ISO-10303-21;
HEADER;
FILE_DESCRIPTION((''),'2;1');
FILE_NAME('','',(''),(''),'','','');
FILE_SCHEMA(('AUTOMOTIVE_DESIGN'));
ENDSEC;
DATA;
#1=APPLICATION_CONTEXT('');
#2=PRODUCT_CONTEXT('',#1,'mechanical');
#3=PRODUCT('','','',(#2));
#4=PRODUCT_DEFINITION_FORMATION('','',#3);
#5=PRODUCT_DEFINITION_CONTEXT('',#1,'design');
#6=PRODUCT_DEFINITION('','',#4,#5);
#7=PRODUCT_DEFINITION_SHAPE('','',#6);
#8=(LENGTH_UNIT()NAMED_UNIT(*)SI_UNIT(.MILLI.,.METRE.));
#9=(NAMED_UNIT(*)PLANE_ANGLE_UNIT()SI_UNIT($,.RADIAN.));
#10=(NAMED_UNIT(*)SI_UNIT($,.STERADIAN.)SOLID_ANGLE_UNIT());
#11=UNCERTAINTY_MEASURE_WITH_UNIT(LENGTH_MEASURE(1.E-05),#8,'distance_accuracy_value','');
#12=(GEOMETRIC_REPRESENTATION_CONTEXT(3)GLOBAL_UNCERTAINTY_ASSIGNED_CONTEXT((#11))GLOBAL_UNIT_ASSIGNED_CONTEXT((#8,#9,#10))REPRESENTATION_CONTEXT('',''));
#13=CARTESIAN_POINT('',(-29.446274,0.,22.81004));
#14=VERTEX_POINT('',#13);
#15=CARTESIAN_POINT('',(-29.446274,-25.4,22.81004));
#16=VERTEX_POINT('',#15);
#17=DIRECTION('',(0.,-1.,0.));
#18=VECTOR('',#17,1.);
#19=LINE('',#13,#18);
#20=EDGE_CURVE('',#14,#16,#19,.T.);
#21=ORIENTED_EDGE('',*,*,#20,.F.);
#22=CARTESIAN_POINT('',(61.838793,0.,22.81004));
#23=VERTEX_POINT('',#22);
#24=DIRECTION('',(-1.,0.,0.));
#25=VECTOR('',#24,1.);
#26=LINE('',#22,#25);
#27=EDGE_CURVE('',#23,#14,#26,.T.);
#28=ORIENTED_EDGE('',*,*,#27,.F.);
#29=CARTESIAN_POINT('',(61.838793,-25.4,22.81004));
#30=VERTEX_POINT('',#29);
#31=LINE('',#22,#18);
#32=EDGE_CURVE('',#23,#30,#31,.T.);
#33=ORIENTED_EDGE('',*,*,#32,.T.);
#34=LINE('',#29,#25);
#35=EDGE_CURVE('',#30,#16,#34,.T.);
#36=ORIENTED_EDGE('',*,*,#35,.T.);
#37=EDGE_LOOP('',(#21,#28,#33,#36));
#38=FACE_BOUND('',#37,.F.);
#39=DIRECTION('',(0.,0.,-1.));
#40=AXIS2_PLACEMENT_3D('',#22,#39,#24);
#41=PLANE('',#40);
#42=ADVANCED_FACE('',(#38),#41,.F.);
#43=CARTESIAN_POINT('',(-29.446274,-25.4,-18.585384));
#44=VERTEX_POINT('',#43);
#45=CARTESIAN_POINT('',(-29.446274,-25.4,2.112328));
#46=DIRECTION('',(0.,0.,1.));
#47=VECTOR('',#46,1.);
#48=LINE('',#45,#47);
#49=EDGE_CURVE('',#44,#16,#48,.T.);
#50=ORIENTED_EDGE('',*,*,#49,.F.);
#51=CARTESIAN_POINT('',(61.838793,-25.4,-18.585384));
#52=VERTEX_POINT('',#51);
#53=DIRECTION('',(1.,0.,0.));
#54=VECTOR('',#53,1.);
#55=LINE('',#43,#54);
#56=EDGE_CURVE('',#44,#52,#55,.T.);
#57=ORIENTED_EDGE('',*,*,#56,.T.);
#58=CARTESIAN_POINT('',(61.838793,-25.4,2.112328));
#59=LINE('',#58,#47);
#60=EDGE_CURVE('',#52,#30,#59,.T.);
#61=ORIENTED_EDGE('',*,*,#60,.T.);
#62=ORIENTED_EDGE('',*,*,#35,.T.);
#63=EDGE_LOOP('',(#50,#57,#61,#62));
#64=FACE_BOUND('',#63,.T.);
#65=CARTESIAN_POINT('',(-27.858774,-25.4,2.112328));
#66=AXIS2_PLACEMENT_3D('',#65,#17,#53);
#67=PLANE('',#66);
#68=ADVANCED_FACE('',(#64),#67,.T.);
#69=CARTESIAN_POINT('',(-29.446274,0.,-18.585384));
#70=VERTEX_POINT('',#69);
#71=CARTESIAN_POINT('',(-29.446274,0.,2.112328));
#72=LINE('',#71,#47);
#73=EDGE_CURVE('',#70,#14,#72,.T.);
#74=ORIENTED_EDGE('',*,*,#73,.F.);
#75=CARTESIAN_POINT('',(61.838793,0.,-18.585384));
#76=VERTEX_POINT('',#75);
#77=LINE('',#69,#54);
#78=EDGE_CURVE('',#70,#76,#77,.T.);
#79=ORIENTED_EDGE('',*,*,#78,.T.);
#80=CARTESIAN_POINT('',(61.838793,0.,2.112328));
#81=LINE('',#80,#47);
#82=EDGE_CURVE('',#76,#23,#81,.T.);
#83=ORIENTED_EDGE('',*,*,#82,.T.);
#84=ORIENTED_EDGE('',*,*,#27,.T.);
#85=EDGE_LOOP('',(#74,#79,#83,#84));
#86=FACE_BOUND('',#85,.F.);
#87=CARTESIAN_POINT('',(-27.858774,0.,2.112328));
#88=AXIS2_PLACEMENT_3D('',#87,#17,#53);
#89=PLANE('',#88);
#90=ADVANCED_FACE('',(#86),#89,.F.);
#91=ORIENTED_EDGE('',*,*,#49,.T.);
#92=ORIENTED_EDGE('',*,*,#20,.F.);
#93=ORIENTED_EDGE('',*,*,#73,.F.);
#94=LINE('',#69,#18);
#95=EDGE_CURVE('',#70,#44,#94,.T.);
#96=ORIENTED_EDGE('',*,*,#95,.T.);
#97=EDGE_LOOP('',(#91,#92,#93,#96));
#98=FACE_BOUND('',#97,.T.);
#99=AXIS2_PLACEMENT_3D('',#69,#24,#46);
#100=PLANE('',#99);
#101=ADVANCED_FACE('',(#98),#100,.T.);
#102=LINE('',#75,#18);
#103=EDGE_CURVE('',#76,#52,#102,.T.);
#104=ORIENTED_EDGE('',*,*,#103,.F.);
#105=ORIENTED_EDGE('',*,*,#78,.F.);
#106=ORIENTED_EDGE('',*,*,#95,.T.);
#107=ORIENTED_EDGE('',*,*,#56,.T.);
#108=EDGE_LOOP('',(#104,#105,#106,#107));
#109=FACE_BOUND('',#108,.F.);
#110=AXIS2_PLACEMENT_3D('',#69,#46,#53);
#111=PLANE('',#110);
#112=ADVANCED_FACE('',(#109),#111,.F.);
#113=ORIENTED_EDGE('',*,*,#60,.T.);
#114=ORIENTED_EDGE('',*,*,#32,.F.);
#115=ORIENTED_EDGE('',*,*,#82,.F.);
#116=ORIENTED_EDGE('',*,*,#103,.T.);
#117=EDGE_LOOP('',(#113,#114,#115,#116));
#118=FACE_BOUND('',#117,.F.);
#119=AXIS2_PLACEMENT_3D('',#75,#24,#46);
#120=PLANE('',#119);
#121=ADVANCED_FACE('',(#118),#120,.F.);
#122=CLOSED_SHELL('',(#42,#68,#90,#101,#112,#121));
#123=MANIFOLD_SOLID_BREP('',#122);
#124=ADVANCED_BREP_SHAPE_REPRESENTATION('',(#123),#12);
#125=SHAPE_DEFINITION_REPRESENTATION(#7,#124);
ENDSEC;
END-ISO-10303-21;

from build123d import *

# Parameters (mm, degrees)
F0_W     = 3.175
F0_H     = 41.3954239339
F0_W_2   = 84.9350669503
F1_DEPTH = 25.4


with BuildPart() as f1:
    # F0 (on Front) → F1 (new body)
    with BuildSketch(Plane.XZ):
        with Locations((-27.8587740421, 2.1123280749)):
            Rectangle(F0_W, F0_H)
        with Locations((16.196259433, 2.1123280749)):
            Rectangle(F0_W_2, F0_H)
        with Locations((60.2512929082, 2.1123280749)):
            Rectangle(F0_W, F0_H)
    extrude(amount=F1_DEPTH)


solid = f1.part
